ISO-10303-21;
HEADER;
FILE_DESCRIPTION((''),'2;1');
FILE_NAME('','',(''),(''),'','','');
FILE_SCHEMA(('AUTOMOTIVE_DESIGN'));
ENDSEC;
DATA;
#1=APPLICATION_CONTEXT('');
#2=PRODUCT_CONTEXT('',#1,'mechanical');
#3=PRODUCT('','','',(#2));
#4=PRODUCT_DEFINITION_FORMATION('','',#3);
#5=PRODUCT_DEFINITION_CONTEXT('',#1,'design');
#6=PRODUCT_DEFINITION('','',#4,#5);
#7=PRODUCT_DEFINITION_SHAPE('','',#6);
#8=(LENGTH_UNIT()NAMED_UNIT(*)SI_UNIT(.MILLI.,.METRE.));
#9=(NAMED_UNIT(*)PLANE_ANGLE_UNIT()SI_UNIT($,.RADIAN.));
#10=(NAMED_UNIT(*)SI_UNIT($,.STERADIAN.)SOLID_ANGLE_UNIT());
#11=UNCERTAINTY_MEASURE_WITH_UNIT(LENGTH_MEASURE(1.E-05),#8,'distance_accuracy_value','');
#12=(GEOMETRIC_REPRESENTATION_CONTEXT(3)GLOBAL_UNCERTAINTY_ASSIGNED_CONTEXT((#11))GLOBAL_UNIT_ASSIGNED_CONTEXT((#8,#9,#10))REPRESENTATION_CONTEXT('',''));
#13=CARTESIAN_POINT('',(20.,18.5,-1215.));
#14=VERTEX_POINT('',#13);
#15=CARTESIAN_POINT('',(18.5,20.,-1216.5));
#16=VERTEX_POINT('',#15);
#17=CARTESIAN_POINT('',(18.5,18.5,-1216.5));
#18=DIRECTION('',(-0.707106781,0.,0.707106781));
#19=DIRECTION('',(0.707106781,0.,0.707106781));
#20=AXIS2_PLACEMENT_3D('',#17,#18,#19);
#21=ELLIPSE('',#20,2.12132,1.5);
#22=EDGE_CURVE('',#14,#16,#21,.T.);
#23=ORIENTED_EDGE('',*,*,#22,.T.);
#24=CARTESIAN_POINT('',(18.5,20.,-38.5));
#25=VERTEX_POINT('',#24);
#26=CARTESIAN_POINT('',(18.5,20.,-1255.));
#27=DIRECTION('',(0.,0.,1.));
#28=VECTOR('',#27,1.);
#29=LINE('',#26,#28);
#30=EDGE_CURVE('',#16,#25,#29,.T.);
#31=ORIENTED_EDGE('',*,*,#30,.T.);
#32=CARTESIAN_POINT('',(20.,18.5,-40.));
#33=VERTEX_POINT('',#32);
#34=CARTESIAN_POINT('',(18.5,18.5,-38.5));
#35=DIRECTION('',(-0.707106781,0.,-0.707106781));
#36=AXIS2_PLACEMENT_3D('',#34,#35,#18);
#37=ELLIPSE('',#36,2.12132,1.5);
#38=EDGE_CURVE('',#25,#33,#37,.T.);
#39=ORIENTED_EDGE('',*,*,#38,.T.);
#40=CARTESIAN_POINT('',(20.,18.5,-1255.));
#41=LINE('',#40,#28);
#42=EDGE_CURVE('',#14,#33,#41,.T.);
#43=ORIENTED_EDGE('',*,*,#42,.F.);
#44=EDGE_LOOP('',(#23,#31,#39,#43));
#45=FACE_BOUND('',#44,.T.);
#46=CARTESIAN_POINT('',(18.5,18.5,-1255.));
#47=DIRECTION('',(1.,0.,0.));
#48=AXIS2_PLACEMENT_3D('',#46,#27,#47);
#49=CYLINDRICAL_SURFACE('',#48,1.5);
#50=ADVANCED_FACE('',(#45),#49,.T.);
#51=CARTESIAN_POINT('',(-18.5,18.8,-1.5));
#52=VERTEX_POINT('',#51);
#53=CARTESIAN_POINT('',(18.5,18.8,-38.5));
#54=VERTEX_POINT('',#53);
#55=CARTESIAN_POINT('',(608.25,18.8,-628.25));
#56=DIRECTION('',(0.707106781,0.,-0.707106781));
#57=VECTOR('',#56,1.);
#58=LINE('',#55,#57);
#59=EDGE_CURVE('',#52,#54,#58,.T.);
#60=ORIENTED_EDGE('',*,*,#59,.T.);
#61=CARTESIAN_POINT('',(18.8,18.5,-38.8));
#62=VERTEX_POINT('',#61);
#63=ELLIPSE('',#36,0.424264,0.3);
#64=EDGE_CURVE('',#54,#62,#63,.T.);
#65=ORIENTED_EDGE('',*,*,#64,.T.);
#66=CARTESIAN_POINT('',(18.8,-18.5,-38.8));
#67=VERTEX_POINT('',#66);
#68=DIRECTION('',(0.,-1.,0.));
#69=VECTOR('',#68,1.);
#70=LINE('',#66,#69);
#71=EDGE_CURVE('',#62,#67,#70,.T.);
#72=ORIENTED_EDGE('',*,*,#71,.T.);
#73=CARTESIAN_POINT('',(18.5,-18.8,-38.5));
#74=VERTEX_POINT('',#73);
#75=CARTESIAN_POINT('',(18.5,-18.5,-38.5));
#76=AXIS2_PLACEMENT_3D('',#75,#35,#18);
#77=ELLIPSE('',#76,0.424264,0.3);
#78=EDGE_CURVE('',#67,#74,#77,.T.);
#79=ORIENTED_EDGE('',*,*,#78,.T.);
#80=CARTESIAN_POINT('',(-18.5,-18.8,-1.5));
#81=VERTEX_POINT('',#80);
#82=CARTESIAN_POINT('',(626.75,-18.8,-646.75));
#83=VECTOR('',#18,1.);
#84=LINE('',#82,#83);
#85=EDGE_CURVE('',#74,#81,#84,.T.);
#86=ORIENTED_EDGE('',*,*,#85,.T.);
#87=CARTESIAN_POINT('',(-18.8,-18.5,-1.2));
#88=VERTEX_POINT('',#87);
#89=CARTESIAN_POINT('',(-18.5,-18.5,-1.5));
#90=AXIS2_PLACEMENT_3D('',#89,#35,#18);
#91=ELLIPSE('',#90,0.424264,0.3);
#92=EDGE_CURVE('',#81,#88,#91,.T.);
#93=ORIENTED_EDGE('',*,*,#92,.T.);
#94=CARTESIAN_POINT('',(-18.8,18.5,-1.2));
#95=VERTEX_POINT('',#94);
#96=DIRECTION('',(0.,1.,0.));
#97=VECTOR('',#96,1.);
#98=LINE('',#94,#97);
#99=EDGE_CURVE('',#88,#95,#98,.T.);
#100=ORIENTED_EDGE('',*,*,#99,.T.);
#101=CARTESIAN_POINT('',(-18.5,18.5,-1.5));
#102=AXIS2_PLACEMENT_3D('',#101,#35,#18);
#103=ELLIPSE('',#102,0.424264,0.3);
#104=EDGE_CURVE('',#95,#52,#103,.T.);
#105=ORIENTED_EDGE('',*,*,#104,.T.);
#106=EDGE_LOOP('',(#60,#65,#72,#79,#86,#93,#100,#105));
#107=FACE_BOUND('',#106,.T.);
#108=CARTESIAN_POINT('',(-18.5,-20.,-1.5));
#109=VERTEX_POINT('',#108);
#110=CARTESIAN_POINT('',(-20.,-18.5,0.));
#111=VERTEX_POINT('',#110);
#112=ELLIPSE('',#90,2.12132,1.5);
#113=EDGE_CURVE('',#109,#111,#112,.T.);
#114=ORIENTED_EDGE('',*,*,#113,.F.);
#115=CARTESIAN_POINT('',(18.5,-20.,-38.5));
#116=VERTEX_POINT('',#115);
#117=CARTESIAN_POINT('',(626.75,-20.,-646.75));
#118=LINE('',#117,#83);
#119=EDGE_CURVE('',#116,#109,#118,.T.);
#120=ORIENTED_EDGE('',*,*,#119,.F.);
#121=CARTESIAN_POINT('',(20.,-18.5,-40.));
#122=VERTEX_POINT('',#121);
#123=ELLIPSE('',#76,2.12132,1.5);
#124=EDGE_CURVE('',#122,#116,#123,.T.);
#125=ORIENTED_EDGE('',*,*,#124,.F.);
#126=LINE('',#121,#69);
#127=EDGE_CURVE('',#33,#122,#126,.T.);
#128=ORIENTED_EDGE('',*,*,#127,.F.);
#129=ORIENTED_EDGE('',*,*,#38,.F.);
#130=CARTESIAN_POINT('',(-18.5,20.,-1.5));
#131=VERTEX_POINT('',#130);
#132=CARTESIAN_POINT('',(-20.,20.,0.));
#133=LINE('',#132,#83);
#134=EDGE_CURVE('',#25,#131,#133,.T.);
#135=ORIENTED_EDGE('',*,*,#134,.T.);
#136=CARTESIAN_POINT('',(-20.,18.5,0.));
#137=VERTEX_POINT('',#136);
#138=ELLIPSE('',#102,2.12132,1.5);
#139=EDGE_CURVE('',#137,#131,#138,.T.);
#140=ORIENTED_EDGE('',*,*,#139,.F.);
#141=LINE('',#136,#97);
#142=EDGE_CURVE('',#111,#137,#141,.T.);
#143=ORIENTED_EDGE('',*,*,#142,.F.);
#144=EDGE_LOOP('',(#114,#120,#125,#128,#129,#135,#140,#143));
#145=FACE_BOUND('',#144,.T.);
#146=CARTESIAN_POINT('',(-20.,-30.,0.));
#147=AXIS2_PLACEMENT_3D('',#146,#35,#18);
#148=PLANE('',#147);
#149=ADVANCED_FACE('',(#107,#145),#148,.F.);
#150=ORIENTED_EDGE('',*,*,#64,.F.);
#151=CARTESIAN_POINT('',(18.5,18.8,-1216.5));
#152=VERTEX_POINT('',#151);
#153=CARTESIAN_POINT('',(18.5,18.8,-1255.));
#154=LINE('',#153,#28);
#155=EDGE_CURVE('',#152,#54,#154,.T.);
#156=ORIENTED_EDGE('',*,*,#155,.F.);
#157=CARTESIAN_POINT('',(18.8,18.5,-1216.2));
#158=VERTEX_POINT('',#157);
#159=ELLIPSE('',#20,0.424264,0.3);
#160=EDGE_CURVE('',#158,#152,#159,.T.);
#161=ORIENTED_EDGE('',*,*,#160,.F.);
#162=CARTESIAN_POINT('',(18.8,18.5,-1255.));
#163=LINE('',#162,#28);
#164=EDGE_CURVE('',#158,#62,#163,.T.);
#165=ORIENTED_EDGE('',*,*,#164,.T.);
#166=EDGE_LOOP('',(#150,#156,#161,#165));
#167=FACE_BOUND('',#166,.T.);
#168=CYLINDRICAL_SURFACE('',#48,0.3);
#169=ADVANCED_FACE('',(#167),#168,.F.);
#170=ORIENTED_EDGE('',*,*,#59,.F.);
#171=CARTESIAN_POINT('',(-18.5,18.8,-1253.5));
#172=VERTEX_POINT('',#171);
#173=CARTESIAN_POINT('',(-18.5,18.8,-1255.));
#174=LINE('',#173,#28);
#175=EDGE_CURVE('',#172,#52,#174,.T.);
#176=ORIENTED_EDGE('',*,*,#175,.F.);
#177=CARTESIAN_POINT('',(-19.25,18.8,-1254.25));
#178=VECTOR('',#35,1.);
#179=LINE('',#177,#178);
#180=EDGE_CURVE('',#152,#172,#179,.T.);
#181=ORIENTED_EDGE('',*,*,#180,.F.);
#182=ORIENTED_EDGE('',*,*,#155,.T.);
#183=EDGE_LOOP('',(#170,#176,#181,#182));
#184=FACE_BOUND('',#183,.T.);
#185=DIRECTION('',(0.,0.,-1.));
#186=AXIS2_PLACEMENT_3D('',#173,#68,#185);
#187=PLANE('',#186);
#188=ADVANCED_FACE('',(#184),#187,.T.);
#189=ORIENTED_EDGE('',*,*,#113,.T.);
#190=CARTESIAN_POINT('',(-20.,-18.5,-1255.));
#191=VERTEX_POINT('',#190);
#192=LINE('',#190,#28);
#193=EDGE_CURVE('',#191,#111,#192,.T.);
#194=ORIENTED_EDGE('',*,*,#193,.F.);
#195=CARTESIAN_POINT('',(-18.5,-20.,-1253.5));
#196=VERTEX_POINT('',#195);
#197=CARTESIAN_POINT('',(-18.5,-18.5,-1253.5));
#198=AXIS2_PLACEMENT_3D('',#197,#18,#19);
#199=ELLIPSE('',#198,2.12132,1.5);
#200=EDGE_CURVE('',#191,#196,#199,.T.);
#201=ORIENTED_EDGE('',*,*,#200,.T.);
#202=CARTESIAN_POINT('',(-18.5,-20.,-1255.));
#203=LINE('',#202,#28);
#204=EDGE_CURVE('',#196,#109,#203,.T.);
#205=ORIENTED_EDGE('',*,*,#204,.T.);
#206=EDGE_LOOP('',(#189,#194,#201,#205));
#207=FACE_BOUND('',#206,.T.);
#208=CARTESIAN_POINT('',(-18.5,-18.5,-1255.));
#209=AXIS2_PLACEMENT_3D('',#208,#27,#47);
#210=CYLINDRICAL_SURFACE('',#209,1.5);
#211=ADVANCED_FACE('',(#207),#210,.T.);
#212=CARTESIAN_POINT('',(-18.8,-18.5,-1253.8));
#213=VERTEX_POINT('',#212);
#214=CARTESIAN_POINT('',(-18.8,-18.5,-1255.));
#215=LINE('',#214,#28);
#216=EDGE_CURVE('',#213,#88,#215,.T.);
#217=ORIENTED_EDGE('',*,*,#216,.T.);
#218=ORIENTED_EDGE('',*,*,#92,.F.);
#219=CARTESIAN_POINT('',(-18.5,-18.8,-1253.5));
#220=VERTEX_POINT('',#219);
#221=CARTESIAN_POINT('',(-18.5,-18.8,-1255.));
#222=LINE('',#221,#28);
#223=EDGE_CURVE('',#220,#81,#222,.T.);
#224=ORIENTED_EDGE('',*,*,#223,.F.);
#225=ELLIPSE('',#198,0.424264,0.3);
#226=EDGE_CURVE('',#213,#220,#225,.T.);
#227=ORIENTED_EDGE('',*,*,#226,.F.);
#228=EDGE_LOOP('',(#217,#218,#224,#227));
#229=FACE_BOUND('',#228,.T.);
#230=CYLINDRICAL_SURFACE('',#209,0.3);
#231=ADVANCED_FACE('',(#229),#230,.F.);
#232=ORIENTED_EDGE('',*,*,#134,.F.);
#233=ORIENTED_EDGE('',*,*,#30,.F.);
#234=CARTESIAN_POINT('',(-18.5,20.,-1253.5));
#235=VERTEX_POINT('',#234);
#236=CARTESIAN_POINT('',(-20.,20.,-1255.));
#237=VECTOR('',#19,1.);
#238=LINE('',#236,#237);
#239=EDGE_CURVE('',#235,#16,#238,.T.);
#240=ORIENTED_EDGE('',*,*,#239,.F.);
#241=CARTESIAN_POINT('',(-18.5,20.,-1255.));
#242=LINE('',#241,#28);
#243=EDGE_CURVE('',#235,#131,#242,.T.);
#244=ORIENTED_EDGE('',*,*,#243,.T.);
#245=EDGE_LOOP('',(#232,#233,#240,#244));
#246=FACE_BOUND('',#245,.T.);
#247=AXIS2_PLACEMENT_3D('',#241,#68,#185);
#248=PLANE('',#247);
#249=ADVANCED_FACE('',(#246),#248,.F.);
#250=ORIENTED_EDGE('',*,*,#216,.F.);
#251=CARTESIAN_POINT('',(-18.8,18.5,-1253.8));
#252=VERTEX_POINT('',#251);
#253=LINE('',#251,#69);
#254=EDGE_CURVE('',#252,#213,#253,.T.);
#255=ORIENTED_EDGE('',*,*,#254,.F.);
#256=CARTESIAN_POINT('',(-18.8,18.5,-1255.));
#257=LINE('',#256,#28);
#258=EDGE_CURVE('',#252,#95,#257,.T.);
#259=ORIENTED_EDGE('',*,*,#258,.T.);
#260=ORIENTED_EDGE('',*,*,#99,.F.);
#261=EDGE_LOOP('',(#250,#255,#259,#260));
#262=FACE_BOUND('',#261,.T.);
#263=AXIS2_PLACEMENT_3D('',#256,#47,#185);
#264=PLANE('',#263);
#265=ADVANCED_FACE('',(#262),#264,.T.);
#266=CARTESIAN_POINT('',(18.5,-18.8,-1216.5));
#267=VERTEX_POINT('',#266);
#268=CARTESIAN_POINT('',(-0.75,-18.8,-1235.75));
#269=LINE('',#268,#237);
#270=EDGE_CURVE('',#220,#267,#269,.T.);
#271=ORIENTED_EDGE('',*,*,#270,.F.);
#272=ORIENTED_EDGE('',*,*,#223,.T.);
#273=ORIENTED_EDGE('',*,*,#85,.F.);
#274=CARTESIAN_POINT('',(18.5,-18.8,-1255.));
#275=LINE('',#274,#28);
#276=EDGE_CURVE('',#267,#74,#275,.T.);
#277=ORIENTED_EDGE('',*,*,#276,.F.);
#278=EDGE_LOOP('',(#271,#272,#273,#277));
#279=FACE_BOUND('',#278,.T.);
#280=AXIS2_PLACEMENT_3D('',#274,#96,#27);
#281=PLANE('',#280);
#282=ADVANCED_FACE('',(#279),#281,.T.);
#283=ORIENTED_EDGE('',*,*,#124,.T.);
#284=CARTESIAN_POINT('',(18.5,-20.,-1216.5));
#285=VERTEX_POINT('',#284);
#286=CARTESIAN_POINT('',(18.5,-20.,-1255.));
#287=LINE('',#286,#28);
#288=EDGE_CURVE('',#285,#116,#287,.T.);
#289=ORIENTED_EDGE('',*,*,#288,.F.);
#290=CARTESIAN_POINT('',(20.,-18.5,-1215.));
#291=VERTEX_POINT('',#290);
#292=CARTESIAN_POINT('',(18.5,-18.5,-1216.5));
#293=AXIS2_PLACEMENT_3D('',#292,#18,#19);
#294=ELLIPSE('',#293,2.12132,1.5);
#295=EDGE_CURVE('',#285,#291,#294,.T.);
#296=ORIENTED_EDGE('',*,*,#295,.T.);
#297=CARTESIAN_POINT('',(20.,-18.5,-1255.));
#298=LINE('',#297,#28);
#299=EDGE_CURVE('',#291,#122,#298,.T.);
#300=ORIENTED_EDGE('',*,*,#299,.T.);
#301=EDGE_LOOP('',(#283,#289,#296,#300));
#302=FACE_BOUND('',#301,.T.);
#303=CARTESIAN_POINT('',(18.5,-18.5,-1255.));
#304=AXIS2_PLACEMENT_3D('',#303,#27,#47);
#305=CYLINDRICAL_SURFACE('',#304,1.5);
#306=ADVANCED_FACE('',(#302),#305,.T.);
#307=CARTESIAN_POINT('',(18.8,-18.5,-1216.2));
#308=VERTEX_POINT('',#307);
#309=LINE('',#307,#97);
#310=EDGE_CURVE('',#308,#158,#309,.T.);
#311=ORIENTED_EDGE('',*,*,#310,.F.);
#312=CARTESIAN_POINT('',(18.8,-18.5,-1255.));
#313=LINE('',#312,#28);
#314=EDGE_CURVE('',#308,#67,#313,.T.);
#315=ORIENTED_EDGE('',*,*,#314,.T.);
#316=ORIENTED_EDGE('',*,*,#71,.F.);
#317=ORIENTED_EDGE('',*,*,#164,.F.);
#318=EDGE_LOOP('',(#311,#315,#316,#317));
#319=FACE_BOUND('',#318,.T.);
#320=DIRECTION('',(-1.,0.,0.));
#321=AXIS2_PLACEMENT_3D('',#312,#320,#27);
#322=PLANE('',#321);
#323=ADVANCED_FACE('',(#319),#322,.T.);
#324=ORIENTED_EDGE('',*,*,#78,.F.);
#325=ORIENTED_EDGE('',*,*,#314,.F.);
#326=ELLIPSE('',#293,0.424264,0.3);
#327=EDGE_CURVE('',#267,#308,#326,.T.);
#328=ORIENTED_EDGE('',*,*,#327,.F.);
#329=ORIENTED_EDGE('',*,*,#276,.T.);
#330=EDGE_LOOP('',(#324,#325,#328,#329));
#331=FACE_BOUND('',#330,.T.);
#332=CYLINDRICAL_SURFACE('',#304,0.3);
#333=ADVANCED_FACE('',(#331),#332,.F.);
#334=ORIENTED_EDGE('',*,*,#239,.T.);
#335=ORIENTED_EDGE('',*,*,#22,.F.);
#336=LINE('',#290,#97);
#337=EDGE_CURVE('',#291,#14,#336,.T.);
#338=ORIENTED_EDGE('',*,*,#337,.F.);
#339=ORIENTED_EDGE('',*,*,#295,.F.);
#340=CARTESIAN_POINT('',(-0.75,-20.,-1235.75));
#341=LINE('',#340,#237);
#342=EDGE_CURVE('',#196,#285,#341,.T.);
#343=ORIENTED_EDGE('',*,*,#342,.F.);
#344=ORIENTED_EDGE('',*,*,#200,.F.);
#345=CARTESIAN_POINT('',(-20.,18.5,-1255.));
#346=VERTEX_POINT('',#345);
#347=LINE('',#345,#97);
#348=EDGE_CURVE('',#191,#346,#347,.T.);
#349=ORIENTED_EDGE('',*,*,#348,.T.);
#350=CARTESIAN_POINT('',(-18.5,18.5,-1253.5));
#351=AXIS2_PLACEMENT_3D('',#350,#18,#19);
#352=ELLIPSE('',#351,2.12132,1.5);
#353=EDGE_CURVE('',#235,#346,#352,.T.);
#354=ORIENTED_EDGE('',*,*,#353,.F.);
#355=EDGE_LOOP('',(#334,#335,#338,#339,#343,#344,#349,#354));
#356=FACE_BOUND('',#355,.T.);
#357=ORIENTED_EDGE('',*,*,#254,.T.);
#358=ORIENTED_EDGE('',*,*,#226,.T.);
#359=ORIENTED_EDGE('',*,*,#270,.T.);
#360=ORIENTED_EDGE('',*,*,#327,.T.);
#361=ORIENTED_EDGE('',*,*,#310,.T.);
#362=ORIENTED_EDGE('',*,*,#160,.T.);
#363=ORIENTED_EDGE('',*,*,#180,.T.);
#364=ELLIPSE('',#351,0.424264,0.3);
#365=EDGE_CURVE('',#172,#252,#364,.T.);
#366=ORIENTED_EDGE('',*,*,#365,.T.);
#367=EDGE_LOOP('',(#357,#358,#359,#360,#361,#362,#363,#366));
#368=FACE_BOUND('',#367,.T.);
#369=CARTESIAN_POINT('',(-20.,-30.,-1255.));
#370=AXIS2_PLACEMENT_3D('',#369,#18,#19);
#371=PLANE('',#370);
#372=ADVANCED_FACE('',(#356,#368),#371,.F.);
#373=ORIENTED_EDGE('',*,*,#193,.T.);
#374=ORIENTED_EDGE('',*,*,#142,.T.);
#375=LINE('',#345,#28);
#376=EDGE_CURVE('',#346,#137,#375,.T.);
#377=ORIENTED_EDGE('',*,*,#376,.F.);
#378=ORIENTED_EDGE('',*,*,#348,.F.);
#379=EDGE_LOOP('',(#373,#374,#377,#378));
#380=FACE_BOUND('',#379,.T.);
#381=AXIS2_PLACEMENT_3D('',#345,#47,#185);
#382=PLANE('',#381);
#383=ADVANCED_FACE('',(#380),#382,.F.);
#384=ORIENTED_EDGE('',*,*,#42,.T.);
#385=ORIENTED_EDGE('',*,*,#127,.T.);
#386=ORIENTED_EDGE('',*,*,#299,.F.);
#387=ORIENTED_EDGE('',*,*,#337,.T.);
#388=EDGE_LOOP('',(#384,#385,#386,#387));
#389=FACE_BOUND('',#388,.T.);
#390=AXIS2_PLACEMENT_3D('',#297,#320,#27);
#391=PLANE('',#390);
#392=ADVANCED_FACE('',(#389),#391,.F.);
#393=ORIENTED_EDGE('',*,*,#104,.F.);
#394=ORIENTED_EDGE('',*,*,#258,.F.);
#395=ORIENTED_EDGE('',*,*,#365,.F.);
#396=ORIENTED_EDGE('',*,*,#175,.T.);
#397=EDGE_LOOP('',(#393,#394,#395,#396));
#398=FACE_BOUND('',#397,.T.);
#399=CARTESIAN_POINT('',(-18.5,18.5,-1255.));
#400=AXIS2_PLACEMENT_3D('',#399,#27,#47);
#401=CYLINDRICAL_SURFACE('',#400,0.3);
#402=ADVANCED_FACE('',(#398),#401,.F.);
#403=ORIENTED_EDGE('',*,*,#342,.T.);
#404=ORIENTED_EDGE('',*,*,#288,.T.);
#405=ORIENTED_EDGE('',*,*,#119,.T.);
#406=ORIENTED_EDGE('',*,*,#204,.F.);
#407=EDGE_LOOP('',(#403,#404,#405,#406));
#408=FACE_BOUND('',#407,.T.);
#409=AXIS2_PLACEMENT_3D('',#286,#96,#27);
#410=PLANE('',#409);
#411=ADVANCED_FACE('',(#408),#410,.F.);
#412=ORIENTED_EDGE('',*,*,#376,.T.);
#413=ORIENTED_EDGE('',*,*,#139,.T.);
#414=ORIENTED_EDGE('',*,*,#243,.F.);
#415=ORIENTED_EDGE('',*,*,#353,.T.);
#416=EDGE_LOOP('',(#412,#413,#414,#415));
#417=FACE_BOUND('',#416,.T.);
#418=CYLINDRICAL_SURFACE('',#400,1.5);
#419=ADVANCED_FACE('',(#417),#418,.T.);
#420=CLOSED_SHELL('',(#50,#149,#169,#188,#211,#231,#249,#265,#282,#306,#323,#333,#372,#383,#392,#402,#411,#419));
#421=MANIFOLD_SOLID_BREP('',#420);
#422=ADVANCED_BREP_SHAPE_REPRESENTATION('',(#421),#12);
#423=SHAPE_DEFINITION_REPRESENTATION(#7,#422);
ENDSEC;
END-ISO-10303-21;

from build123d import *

# Parameters (mm, degrees)
STRUCTURAL_MEMBER1_DEPTH = 1255
CUT_EXTRUDE1_DEPTH       = 50


with BuildPart() as part:
    # Sketch12 → Structural Member1 (new body)
    with BuildSketch(Plane(origin=(0, 0, 0), x_dir=(-1, 0, 0), z_dir=(0, 0, -1))):
        with BuildLine():
            Line((-18.5, -20), (18.5, -20))
            ThreePointArc((18.5, -20), (19.560660172, -19.560660172), (20, -18.5))
            Line((20, -18.5), (20, 18.5))
            ThreePointArc((20, 18.5), (19.560660172, 19.560660172), (18.5, 20))
            Line((18.5, 20), (-18.5, 20))
            ThreePointArc((-18.5, 20), (-19.560660172, 19.560660172), (-20, 18.5))
            Line((-20, 18.5), (-20, -18.5))
            ThreePointArc((-20, -18.5), (-19.560660172, -19.560660172), (-18.5, -20))
        make_face()
        with BuildLine():
            Line((-18.5, -18.8), (18.5, -18.8))
            ThreePointArc((18.5, -18.8), (18.712132034, -18.712132034), (18.8, -18.5))
            Line((18.8, -18.5), (18.8, 18.5))
            ThreePointArc((18.8, 18.5), (18.712132034, 18.712132034), (18.5, 18.8))
            Line((18.5, 18.8), (-18.5, 18.8))
            ThreePointArc((-18.5, 18.8), (-18.712132034, 18.712132034), (-18.8, 18.5))
            Line((-18.8, 18.5), (-18.8, -18.5))
            ThreePointArc((-18.8, -18.5), (-18.712132034, -18.712132034), (-18.5, -18.8))
        make_face(mode=Mode.SUBTRACT)
    extrude(amount=STRUCTURAL_MEMBER1_DEPTH)

    # Sketch13 → Cut-Extrude1 (cut)
    with BuildSketch(Plane(origin=(0, 20, 0), x_dir=(1, 0, 0), z_dir=(0, 1, 0))):
        Polygon((-20, 1255), (31.574006929, 1203.425993071), (31.574006929, 1272.147428422), align=None)
        Polygon((31.574006929, -17.147428422), (-20, 0), (31.574006929, 51.574006929), align=None)
    extrude(amount=-CUT_EXTRUDE1_DEPTH, mode=Mode.SUBTRACT)


solid = part.part
